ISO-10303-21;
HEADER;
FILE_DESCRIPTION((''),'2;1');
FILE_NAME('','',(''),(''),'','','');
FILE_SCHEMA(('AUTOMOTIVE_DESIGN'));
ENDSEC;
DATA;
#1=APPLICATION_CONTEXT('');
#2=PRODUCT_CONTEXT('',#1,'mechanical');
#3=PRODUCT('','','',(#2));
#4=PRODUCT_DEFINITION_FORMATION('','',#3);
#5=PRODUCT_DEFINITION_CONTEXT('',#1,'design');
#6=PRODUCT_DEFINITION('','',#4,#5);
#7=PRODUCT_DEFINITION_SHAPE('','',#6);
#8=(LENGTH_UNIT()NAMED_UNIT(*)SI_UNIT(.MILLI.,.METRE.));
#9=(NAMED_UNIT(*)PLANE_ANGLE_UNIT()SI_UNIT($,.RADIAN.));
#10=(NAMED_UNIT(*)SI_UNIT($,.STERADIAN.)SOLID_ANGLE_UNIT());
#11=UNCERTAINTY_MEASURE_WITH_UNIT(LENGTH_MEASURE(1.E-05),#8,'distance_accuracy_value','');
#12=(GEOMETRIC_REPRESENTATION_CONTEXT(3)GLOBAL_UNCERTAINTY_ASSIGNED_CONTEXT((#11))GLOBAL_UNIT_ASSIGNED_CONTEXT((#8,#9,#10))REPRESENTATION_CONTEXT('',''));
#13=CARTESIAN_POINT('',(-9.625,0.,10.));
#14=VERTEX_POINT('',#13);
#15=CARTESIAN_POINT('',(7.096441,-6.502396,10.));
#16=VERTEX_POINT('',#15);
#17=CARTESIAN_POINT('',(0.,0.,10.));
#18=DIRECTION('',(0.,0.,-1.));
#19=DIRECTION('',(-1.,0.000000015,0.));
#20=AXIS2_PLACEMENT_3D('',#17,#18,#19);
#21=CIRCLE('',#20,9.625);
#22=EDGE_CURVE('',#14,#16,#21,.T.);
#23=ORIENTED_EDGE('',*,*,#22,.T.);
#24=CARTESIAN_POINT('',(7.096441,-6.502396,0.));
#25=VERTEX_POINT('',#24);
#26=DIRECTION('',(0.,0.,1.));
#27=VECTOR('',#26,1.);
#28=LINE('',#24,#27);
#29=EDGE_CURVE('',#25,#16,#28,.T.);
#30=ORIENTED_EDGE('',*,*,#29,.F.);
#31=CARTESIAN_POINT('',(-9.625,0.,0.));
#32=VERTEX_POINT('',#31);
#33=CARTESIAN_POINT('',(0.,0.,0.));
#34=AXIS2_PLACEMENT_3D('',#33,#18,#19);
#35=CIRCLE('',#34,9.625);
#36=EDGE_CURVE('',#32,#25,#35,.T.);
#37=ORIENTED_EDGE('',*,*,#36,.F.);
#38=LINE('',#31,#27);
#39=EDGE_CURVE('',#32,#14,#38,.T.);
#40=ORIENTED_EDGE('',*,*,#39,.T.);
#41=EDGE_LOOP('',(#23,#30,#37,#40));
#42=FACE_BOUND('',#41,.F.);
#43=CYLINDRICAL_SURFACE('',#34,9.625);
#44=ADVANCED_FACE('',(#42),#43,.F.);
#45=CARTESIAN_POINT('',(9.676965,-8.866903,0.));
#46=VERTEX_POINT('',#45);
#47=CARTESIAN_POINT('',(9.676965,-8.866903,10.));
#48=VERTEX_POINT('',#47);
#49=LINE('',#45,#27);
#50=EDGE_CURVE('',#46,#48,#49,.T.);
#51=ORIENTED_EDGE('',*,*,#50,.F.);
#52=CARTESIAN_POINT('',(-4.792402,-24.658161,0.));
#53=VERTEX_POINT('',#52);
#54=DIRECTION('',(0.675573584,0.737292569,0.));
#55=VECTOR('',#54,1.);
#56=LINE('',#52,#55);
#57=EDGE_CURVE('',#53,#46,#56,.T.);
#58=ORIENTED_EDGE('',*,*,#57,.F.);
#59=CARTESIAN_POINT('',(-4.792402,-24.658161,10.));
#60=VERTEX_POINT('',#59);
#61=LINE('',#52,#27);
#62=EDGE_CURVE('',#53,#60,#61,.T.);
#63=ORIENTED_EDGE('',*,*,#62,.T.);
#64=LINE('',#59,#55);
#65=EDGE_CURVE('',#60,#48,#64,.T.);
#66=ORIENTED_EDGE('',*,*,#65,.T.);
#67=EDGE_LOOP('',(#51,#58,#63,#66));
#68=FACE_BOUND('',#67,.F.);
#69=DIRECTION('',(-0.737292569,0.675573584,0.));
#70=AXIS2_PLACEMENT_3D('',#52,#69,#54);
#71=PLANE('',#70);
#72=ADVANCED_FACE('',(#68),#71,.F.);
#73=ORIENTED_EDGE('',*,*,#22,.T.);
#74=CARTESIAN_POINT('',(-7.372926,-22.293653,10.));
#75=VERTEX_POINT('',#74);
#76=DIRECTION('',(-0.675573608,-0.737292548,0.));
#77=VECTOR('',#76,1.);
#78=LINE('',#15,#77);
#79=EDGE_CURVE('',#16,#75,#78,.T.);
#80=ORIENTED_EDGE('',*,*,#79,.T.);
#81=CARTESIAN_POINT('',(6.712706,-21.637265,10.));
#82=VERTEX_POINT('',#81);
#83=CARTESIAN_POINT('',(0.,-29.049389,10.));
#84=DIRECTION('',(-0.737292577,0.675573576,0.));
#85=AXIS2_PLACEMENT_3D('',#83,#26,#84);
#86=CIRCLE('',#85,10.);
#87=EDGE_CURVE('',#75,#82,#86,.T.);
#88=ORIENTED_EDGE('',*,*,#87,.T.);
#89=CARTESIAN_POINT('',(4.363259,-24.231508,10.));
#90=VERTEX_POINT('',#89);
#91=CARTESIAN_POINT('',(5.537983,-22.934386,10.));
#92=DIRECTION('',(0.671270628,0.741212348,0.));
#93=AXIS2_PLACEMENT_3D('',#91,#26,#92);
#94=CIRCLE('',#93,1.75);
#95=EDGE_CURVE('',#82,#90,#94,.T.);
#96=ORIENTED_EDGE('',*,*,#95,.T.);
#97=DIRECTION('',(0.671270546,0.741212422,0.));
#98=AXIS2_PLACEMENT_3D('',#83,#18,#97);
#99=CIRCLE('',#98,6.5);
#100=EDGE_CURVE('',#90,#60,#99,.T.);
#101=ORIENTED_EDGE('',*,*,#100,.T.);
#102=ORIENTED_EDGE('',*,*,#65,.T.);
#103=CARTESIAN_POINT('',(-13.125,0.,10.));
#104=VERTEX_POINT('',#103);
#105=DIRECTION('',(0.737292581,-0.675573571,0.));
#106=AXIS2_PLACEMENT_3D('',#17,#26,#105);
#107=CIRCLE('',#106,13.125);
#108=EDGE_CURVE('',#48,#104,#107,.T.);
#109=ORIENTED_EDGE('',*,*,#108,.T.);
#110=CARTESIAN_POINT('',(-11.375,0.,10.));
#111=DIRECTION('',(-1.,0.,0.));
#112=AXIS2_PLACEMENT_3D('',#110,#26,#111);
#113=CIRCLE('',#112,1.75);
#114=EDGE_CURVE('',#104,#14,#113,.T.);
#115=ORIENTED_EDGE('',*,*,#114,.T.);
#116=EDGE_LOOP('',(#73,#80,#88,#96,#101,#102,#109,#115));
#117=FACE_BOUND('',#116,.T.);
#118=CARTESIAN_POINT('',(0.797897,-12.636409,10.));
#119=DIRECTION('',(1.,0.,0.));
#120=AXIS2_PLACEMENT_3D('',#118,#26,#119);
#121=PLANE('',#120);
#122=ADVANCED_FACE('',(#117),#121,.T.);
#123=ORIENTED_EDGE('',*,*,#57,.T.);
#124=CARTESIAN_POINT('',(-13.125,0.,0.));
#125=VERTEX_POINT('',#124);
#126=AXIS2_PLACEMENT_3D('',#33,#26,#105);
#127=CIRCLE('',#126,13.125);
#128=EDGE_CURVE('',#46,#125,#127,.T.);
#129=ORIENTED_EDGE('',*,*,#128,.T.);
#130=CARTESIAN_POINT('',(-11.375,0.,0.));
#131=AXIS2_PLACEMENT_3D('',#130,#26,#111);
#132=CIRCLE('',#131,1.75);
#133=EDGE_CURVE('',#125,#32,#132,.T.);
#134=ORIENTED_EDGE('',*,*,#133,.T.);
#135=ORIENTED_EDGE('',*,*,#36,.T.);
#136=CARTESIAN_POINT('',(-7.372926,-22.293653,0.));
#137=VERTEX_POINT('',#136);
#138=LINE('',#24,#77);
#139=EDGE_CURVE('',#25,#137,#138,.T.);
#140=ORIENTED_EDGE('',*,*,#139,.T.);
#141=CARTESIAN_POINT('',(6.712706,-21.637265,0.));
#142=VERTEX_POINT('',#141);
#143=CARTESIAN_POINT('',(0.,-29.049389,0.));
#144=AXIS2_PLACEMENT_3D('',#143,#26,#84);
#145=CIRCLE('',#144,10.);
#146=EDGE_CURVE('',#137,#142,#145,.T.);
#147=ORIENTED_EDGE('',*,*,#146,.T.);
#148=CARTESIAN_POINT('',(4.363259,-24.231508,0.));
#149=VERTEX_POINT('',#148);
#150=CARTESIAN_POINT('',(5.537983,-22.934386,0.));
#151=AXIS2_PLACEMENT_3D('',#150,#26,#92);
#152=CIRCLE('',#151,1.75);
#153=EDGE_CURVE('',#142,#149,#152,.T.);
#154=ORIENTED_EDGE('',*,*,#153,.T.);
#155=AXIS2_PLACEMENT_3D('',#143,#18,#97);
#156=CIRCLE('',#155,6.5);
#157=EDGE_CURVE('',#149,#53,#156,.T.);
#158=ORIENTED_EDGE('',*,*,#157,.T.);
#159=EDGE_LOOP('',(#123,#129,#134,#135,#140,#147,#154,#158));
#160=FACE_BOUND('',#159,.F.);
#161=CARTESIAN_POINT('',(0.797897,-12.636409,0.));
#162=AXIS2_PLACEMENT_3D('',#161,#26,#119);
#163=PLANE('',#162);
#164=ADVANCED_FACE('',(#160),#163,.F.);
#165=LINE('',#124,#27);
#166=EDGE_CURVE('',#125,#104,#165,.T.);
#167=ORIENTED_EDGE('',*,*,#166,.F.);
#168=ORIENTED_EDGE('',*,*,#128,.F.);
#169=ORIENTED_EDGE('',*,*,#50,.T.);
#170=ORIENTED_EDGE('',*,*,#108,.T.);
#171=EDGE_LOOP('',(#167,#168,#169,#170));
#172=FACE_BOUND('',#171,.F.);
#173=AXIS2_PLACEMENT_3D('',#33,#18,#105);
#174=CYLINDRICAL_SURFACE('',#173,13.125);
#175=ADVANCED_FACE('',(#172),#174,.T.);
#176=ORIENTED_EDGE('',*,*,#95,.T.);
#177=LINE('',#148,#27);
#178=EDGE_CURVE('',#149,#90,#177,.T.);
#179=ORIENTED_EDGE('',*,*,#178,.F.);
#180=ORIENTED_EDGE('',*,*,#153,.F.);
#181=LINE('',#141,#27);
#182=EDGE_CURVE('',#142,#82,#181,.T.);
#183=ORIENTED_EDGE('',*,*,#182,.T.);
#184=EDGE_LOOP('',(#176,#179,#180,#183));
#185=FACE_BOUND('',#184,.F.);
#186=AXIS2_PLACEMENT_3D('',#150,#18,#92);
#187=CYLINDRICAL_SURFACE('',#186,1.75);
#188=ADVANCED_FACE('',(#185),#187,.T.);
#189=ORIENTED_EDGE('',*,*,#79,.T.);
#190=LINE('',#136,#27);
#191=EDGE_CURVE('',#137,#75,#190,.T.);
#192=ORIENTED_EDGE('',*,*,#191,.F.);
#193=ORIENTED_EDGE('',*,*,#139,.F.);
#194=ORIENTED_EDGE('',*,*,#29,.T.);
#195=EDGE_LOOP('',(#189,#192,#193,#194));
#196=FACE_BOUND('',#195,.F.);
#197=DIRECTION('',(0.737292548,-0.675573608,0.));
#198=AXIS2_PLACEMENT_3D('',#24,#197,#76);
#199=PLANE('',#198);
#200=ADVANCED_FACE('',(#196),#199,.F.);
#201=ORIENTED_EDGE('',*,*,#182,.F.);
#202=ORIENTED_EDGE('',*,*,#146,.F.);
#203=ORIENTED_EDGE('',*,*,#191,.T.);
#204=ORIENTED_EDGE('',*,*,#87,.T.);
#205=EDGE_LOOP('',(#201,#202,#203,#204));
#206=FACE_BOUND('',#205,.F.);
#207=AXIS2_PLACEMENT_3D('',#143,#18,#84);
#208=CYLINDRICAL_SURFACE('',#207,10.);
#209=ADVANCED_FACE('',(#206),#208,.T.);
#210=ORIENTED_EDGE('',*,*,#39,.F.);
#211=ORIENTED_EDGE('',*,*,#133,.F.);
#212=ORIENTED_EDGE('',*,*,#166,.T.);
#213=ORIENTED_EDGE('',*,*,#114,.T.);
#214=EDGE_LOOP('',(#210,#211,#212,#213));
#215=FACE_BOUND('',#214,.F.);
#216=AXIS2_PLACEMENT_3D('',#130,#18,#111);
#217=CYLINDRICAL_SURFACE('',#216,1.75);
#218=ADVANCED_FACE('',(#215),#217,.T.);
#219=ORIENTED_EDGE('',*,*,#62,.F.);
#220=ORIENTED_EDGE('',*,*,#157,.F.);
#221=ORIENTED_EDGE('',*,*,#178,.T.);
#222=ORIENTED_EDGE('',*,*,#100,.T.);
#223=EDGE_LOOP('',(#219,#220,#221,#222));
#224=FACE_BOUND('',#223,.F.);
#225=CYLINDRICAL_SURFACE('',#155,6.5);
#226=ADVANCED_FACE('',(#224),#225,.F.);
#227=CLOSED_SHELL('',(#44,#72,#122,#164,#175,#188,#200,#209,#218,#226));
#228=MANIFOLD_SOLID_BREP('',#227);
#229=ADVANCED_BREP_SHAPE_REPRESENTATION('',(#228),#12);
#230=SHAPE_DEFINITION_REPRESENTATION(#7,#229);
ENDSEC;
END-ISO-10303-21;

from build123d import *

# Parameters (mm, degrees)
F1_DEPTH = 10


with BuildPart() as f1:
    # F0 (on Top) → F1 (new body)
    with BuildSketch(Plane.XY):
        with BuildLine():
            ThreePointArc((-9.625, 0), (3.488365, 8.970615), (7.096441, -6.502396))
            Line((7.096441, -6.502396), (-7.372926, -22.293653))
            ThreePointArc((-7.372926, -22.293653), (0.465493, -39.038549), (6.712706, -21.637265))
            ThreePointArc((6.712706, -21.637265), (4.240861, -21.759663), (4.363259, -24.231508))
            ThreePointArc((4.363259, -24.231508), (0.302571, -35.542343), (-4.792402, -24.658161))
            Line((-4.792402, -24.658161), (9.676965, -8.866903))
            ThreePointArc((9.676965, -8.866903), (4.756861, 12.232657), (-13.125, 0))
            ThreePointArc((-13.125, 0), (-11.375, -1.75), (-9.625, 0))
        make_face()
    extrude(amount=F1_DEPTH)


solid = f1.part
